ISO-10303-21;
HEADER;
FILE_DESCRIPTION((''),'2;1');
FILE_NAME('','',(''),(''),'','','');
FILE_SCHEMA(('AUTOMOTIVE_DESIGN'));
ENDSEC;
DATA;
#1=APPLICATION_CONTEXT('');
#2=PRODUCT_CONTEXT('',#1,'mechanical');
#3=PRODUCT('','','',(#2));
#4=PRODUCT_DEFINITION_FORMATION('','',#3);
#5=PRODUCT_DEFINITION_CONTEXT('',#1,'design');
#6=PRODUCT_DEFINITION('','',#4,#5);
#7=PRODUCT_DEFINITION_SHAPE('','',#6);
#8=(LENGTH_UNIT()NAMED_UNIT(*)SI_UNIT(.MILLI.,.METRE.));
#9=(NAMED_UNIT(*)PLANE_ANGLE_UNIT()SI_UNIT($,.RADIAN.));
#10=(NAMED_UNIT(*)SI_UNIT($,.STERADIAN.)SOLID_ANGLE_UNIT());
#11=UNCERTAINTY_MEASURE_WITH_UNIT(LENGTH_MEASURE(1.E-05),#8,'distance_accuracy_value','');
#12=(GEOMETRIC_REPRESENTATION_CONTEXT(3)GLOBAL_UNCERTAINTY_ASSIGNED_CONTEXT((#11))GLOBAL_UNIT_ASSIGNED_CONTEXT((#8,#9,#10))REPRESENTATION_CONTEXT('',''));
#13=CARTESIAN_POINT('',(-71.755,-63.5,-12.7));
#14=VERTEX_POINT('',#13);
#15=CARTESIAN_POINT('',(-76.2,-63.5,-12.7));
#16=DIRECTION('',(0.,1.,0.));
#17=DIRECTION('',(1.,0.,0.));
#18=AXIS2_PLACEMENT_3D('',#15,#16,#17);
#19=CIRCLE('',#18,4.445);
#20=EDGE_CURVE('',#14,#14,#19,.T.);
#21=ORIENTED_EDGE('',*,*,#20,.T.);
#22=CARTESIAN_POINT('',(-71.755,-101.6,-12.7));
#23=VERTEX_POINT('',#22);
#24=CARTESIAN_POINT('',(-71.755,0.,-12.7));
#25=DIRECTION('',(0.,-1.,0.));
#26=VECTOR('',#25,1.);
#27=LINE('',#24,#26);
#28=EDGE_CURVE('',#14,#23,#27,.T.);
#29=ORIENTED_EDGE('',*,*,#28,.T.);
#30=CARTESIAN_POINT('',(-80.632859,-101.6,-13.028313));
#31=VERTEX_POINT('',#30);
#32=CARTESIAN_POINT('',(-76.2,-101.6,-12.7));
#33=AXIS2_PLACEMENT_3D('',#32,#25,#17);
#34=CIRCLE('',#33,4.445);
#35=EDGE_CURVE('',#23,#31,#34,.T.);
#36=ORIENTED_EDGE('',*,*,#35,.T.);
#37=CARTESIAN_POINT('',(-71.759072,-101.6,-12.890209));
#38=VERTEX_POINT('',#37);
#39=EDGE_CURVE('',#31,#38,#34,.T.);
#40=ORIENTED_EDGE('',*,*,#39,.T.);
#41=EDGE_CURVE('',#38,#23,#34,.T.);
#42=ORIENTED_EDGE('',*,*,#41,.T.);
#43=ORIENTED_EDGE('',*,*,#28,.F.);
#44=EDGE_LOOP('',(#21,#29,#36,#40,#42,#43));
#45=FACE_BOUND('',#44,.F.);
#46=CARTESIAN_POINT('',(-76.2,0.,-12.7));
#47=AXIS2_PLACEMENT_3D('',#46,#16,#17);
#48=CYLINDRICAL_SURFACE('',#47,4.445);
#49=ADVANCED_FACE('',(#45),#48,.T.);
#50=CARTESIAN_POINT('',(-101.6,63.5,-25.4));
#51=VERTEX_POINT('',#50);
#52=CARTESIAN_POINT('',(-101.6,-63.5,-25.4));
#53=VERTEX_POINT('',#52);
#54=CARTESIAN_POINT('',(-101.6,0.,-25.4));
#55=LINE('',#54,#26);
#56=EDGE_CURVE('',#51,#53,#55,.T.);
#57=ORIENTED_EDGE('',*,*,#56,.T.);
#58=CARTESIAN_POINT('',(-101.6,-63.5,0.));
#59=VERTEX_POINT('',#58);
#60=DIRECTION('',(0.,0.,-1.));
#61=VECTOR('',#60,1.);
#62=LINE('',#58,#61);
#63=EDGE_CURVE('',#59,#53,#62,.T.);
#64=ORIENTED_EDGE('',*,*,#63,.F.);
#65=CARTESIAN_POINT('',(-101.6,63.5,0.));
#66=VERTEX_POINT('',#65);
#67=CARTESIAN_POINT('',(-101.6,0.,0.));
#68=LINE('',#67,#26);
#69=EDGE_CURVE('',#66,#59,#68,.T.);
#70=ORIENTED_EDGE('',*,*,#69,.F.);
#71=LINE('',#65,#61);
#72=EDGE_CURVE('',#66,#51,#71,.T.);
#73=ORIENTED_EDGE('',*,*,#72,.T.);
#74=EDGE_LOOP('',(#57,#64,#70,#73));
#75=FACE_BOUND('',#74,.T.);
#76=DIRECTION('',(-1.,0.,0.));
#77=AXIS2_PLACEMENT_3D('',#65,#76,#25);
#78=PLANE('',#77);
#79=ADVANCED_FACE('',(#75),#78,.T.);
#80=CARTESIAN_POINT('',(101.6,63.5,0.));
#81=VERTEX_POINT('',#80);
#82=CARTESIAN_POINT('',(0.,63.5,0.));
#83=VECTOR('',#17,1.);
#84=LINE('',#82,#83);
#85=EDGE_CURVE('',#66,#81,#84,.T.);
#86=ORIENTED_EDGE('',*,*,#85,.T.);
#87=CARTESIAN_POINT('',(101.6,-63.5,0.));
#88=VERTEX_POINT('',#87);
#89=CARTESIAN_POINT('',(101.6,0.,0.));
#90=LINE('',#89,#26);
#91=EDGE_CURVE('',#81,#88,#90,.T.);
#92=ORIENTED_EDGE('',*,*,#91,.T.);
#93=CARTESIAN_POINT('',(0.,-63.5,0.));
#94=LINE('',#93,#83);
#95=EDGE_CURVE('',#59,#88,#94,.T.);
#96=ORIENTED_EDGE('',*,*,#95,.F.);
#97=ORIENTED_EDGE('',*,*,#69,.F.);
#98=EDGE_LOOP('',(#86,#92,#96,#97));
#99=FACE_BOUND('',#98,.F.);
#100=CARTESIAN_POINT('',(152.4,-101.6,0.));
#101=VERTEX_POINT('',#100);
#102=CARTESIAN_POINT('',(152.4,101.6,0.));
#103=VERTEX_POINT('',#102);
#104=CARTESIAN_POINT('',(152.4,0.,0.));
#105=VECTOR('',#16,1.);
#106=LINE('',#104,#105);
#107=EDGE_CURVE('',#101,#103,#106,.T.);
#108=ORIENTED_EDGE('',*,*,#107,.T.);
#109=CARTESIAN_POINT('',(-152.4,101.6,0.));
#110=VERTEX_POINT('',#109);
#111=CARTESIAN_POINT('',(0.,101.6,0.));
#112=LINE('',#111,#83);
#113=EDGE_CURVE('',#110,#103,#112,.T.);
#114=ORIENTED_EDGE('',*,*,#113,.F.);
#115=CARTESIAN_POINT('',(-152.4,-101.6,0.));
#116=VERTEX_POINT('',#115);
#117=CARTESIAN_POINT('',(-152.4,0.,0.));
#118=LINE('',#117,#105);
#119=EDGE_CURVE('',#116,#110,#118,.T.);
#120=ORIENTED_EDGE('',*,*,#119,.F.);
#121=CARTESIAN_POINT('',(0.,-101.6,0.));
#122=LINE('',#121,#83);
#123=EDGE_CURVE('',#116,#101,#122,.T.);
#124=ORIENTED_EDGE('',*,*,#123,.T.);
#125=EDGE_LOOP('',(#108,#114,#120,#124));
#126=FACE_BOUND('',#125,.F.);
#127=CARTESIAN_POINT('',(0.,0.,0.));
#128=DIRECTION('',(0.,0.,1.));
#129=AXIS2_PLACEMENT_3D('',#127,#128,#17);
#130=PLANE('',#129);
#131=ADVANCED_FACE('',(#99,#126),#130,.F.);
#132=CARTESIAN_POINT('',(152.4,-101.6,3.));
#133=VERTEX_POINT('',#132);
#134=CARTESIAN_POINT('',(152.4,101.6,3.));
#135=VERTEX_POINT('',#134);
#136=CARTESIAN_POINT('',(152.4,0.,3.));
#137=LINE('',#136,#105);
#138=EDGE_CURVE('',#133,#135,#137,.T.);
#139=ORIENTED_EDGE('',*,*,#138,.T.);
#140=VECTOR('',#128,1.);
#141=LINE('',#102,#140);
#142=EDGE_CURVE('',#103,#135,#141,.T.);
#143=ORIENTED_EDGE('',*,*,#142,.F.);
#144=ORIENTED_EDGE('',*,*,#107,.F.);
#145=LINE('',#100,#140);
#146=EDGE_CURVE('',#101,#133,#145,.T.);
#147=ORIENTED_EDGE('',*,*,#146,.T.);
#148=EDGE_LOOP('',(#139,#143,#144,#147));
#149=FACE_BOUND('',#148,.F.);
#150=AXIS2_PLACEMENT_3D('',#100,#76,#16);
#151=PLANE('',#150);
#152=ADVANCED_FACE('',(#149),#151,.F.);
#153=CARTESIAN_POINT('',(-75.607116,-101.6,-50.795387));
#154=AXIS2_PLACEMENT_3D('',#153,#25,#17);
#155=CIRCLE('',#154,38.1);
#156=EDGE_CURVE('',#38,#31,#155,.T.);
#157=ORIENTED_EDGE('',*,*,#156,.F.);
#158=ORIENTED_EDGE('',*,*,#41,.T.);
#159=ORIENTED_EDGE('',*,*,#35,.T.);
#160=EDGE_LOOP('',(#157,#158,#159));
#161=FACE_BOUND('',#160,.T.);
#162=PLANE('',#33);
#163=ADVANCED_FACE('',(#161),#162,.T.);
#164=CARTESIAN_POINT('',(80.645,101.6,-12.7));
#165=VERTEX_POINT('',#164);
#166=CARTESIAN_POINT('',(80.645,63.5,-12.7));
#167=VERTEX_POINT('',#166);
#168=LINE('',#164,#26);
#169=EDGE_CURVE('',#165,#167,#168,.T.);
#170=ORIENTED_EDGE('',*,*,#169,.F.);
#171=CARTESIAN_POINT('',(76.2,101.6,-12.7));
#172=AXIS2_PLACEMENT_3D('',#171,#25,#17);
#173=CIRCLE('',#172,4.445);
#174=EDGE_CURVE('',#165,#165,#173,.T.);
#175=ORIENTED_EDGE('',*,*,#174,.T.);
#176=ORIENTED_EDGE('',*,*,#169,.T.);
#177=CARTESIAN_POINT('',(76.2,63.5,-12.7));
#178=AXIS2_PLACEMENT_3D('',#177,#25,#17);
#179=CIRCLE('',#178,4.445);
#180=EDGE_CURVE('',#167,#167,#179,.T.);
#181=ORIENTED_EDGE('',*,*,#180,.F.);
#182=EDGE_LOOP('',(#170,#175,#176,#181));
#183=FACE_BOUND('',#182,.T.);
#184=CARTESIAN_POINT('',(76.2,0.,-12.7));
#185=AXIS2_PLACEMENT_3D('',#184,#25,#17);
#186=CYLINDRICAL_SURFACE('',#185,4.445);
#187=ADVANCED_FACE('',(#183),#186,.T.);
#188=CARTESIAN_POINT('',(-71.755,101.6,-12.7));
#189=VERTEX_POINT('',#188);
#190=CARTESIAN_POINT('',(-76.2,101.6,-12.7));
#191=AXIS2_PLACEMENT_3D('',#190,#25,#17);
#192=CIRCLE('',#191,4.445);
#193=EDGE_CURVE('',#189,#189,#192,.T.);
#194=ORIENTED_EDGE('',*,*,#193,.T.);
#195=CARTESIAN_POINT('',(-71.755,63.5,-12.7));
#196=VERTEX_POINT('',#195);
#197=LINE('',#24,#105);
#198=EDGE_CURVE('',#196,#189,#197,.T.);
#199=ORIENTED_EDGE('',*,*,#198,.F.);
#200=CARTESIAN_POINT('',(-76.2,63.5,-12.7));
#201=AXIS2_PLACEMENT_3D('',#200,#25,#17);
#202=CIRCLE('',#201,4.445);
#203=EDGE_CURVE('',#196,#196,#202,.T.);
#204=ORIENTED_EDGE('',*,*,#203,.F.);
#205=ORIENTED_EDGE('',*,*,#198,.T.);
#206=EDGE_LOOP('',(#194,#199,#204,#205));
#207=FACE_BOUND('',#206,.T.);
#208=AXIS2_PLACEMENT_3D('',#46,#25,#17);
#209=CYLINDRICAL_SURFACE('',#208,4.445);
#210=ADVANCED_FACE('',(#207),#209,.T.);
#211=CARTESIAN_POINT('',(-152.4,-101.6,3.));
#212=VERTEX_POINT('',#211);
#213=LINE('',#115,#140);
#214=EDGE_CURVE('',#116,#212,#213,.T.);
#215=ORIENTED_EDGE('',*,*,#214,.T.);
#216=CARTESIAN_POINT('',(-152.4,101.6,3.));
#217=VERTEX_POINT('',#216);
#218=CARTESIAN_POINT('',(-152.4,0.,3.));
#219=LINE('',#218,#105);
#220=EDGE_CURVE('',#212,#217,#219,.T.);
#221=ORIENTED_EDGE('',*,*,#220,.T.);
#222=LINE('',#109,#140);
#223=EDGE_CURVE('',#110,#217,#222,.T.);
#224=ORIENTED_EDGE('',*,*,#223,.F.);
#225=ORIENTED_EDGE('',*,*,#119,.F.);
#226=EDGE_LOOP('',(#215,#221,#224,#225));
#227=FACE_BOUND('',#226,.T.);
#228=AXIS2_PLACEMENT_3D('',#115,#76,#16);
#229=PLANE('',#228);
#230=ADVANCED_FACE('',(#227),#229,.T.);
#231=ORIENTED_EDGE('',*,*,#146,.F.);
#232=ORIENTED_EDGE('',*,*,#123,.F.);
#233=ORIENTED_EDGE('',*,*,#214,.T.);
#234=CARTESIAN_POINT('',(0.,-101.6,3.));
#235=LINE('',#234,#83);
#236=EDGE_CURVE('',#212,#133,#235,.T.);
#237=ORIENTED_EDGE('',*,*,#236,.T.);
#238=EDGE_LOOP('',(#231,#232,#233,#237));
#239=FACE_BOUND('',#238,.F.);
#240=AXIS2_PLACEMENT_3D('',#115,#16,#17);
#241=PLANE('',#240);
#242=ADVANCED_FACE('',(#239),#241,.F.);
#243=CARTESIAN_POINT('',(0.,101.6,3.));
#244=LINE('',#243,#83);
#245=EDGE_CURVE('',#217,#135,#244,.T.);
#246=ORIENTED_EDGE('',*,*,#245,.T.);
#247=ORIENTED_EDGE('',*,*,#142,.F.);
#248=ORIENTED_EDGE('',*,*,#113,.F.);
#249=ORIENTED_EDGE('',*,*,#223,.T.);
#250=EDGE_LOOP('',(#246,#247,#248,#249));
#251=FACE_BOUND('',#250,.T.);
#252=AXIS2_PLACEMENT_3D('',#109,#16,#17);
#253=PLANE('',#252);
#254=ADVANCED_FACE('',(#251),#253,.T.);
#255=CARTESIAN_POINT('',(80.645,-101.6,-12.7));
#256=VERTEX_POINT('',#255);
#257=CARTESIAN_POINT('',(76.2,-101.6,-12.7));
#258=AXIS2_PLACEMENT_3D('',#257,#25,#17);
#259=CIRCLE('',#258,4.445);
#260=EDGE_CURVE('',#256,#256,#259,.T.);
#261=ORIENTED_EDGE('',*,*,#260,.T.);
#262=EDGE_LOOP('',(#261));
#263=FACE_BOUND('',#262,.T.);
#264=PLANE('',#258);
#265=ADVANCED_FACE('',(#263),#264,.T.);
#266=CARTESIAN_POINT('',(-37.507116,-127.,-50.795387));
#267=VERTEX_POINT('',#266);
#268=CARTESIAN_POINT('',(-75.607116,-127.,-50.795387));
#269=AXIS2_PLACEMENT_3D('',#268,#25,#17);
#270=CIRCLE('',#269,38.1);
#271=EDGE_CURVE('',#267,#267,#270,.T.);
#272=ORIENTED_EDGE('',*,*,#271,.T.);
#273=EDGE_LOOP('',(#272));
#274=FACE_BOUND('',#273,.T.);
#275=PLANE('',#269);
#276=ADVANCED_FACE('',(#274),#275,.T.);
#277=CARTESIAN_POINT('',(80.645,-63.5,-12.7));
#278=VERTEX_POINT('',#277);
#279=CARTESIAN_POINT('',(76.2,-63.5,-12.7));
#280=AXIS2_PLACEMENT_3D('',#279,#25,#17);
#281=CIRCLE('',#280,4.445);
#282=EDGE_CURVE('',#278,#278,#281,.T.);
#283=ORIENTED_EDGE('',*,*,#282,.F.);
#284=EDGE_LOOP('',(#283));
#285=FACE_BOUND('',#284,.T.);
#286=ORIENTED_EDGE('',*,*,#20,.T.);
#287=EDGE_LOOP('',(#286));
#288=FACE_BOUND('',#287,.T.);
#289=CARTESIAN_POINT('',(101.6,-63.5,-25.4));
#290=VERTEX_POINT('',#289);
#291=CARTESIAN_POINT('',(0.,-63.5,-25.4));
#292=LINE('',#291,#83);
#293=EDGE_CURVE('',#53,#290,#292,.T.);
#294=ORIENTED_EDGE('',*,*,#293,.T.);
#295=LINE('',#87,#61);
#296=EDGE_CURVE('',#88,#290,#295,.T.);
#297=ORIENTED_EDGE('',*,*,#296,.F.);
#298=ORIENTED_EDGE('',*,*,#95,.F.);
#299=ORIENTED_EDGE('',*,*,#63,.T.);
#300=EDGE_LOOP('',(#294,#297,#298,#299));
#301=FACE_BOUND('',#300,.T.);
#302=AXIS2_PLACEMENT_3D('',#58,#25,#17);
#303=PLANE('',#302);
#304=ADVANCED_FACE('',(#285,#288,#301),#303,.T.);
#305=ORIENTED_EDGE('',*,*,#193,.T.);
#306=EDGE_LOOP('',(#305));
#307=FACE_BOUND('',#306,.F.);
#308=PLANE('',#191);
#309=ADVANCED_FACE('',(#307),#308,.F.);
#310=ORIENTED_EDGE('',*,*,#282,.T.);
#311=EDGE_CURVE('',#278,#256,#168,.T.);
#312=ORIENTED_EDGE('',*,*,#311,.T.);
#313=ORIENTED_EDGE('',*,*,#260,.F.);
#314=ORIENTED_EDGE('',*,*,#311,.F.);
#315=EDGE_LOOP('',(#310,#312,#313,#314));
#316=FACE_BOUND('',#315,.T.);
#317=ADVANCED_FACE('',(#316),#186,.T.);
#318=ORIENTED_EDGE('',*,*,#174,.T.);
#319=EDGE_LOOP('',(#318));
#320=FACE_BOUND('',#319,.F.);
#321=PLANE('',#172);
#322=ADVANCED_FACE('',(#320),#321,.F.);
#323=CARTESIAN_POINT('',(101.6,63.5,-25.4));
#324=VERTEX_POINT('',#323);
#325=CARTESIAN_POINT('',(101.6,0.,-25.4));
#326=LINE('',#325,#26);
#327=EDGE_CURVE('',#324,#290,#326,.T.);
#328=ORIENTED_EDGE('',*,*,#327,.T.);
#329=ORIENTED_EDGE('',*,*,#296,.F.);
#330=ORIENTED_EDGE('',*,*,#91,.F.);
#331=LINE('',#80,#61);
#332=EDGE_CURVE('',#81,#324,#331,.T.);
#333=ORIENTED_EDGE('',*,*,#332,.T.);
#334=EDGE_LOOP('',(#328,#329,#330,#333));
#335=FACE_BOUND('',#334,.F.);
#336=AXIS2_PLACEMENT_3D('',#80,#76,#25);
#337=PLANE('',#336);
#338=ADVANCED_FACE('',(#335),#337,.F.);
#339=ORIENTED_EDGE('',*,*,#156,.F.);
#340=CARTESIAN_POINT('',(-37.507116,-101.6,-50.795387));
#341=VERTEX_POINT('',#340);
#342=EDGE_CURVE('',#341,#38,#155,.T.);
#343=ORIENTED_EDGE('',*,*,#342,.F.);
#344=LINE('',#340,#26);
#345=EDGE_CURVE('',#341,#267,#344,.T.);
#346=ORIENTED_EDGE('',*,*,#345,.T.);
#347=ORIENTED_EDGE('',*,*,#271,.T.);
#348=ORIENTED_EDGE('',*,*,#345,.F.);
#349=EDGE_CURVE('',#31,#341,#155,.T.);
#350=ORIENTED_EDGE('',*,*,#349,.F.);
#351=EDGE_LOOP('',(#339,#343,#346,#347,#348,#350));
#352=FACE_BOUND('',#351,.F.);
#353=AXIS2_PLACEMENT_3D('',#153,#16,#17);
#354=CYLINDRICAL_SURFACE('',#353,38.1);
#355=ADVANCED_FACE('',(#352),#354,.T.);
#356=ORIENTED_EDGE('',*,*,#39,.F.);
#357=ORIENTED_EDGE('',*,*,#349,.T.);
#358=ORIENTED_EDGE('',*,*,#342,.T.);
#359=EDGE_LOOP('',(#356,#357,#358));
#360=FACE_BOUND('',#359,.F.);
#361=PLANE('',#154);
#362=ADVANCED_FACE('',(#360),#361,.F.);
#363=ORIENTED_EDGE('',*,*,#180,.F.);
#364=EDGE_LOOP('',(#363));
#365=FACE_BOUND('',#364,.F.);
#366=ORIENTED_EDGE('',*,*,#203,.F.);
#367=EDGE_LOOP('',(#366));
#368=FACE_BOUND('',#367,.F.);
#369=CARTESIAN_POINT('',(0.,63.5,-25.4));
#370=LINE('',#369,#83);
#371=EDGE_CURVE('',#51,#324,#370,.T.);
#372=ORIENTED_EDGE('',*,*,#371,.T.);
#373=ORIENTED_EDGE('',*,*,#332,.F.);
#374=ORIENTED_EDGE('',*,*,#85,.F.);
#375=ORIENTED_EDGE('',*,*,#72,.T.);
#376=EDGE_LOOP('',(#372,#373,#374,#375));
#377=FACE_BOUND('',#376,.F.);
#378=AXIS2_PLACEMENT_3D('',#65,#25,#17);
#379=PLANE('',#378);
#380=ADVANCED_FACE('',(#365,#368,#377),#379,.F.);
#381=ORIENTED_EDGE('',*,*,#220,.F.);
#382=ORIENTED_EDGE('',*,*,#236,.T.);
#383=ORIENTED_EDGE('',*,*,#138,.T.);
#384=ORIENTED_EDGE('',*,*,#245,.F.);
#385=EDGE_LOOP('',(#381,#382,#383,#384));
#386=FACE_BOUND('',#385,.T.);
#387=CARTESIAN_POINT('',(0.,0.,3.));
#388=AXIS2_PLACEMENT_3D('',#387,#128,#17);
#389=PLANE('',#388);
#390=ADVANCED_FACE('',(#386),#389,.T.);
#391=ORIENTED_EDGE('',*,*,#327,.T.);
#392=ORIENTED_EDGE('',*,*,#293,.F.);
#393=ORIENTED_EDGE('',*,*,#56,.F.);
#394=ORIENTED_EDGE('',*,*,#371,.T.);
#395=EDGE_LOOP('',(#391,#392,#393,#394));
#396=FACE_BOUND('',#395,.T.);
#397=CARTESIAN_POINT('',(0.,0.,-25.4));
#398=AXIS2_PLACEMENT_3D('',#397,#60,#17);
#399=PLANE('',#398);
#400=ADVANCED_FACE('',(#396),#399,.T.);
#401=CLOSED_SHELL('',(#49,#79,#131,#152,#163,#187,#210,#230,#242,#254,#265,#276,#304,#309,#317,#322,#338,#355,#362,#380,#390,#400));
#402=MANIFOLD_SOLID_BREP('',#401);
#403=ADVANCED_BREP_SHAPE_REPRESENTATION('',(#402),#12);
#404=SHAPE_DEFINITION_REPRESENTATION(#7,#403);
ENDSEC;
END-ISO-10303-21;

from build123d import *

# Parameters (mm, degrees)
F0_W     = 304.8
F0_H     = 203.2
F1_DEPTH = 3
F2_W     = 203.2
F2_H     = 127
F3_DEPTH = 25.4
F4_R     = 4.445
F5_DEPTH = 101.6
F6_R     = 38.1
F7_DEPTH = 25.4


with BuildPart() as f1:
    # F0 (on Top) → F1 (new body)
    with BuildSketch(Plane.XY):
        Rectangle(F0_W, F0_H)
    extrude(amount=F1_DEPTH)

    # F2 (on face) → F3 (join)
    with BuildSketch(Plane(origin=(0, 0, 0), x_dir=(1, 0, 0), z_dir=(0, 0, -1))):
        Rectangle(F2_W, F2_H)
    extrude(amount=F3_DEPTH)

    # F4 (on Front) → F5 (join, symmetric)
    with BuildSketch(Plane.XZ):
        with Locations((-76.2, -12.7)):
            Circle(F4_R)
        with Locations((76.2, -12.7)):
            Circle(F4_R)
    extrude(amount=F5_DEPTH, both=True)

    # F6 (on face) → F7 (join)
    with BuildSketch(Plane.XZ.offset(101.6)):
        with Locations((-75.607116, -50.795387)):
            Circle(F6_R)
    extrude(amount=F7_DEPTH)


solid = f1.part
